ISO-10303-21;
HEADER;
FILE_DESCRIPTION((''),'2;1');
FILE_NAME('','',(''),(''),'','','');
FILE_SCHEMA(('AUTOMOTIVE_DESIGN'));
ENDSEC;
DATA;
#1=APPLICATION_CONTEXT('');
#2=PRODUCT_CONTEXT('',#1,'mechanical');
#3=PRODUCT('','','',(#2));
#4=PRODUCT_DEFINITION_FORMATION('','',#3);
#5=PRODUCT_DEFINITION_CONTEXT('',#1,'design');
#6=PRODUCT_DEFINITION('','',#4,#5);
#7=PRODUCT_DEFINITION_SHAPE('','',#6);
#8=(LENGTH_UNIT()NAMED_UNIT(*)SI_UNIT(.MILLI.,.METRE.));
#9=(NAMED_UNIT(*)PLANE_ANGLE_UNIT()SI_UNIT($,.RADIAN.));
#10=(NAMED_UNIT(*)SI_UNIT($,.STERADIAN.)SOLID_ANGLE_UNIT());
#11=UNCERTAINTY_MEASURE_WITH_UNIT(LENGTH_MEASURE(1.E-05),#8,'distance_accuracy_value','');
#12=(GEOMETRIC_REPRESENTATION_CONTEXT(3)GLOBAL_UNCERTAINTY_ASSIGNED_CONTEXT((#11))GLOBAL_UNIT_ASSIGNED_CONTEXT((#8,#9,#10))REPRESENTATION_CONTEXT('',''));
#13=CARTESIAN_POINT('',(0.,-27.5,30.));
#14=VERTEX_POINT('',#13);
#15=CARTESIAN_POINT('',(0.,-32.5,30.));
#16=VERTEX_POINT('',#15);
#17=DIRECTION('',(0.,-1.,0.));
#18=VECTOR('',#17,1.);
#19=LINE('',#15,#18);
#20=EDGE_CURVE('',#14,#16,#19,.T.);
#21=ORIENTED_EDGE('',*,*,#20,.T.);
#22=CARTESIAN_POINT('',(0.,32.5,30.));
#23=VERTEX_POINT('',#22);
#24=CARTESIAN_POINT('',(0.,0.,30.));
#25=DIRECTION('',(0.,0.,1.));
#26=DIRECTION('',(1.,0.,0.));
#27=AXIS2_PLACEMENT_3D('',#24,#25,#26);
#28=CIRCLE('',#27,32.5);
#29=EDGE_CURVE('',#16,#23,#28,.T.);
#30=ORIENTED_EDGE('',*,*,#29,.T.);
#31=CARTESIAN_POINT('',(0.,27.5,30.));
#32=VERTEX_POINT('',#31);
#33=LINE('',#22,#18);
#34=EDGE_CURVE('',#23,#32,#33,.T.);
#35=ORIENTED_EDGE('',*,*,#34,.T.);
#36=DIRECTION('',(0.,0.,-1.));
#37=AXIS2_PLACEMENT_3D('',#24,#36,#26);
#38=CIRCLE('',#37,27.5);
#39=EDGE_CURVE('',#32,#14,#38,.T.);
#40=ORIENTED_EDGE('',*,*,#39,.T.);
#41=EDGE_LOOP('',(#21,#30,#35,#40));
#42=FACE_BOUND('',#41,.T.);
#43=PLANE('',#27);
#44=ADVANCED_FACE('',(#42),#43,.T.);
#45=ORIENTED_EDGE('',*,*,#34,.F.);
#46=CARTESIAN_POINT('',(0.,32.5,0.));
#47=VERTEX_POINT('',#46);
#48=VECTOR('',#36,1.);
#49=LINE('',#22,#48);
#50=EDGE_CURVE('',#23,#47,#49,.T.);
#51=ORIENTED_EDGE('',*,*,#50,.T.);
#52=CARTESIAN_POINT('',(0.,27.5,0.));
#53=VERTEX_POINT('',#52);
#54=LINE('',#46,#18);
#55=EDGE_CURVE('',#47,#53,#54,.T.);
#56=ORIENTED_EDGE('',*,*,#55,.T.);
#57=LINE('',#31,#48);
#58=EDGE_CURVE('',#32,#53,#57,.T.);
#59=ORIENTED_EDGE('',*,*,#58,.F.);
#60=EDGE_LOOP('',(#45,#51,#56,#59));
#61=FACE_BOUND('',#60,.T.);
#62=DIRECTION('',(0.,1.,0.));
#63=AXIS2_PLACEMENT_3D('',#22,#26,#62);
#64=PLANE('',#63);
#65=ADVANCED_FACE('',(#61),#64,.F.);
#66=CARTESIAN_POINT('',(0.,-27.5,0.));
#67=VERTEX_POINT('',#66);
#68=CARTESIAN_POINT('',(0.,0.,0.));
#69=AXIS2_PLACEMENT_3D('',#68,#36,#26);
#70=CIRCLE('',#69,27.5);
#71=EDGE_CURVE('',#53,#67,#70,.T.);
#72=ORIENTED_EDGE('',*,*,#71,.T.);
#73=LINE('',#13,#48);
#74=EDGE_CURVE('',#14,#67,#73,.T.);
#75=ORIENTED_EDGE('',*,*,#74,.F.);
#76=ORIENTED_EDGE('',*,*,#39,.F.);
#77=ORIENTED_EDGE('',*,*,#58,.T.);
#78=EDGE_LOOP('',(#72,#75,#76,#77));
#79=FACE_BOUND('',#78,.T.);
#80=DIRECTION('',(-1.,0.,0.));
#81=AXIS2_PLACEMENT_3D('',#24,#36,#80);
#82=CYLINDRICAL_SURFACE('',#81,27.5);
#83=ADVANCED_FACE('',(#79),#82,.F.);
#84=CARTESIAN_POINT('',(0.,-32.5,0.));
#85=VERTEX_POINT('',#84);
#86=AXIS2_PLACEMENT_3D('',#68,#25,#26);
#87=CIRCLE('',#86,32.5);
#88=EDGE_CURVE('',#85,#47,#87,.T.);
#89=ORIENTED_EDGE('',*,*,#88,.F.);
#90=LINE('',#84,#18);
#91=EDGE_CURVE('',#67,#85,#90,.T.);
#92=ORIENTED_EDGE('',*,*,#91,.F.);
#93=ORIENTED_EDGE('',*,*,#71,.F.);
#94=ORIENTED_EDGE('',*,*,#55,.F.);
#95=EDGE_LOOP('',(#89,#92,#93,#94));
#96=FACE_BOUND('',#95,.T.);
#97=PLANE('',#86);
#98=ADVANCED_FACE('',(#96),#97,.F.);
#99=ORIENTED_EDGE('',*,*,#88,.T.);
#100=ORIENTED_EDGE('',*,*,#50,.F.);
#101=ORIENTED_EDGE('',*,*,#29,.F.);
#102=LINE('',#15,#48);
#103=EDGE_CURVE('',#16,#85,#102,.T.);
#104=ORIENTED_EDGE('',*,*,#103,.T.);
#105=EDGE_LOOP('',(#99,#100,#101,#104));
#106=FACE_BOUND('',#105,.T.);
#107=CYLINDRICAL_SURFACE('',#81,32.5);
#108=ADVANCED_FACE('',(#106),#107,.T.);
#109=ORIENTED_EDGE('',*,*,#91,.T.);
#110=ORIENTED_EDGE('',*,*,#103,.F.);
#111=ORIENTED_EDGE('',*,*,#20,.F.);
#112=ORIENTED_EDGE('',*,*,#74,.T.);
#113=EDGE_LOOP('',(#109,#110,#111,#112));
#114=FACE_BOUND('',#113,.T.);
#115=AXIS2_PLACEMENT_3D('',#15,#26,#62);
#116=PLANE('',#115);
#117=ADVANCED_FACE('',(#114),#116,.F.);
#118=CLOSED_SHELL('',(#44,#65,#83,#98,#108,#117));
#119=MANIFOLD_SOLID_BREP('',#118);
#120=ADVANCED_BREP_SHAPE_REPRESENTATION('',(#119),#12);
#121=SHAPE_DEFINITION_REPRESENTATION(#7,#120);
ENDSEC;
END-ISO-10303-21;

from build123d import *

# Parameters (mm, degrees)
BOSS_EXTRUDE1_DEPTH = 30


with BuildPart() as part:
    # Sketch2 → Boss-Extrude1 (new body)
    with BuildSketch(Plane.XY):
        with BuildLine():
            Line((0, 32.5), (0, 27.5))
            ThreePointArc((0, 27.5), (27.5, 0), (0, -27.5))
            Line((0, -27.5), (0, -32.5))
            ThreePointArc((0, -32.5), (32.5, 0), (0, 32.5))
        make_face()
    extrude(amount=BOSS_EXTRUDE1_DEPTH)


solid = part.part
